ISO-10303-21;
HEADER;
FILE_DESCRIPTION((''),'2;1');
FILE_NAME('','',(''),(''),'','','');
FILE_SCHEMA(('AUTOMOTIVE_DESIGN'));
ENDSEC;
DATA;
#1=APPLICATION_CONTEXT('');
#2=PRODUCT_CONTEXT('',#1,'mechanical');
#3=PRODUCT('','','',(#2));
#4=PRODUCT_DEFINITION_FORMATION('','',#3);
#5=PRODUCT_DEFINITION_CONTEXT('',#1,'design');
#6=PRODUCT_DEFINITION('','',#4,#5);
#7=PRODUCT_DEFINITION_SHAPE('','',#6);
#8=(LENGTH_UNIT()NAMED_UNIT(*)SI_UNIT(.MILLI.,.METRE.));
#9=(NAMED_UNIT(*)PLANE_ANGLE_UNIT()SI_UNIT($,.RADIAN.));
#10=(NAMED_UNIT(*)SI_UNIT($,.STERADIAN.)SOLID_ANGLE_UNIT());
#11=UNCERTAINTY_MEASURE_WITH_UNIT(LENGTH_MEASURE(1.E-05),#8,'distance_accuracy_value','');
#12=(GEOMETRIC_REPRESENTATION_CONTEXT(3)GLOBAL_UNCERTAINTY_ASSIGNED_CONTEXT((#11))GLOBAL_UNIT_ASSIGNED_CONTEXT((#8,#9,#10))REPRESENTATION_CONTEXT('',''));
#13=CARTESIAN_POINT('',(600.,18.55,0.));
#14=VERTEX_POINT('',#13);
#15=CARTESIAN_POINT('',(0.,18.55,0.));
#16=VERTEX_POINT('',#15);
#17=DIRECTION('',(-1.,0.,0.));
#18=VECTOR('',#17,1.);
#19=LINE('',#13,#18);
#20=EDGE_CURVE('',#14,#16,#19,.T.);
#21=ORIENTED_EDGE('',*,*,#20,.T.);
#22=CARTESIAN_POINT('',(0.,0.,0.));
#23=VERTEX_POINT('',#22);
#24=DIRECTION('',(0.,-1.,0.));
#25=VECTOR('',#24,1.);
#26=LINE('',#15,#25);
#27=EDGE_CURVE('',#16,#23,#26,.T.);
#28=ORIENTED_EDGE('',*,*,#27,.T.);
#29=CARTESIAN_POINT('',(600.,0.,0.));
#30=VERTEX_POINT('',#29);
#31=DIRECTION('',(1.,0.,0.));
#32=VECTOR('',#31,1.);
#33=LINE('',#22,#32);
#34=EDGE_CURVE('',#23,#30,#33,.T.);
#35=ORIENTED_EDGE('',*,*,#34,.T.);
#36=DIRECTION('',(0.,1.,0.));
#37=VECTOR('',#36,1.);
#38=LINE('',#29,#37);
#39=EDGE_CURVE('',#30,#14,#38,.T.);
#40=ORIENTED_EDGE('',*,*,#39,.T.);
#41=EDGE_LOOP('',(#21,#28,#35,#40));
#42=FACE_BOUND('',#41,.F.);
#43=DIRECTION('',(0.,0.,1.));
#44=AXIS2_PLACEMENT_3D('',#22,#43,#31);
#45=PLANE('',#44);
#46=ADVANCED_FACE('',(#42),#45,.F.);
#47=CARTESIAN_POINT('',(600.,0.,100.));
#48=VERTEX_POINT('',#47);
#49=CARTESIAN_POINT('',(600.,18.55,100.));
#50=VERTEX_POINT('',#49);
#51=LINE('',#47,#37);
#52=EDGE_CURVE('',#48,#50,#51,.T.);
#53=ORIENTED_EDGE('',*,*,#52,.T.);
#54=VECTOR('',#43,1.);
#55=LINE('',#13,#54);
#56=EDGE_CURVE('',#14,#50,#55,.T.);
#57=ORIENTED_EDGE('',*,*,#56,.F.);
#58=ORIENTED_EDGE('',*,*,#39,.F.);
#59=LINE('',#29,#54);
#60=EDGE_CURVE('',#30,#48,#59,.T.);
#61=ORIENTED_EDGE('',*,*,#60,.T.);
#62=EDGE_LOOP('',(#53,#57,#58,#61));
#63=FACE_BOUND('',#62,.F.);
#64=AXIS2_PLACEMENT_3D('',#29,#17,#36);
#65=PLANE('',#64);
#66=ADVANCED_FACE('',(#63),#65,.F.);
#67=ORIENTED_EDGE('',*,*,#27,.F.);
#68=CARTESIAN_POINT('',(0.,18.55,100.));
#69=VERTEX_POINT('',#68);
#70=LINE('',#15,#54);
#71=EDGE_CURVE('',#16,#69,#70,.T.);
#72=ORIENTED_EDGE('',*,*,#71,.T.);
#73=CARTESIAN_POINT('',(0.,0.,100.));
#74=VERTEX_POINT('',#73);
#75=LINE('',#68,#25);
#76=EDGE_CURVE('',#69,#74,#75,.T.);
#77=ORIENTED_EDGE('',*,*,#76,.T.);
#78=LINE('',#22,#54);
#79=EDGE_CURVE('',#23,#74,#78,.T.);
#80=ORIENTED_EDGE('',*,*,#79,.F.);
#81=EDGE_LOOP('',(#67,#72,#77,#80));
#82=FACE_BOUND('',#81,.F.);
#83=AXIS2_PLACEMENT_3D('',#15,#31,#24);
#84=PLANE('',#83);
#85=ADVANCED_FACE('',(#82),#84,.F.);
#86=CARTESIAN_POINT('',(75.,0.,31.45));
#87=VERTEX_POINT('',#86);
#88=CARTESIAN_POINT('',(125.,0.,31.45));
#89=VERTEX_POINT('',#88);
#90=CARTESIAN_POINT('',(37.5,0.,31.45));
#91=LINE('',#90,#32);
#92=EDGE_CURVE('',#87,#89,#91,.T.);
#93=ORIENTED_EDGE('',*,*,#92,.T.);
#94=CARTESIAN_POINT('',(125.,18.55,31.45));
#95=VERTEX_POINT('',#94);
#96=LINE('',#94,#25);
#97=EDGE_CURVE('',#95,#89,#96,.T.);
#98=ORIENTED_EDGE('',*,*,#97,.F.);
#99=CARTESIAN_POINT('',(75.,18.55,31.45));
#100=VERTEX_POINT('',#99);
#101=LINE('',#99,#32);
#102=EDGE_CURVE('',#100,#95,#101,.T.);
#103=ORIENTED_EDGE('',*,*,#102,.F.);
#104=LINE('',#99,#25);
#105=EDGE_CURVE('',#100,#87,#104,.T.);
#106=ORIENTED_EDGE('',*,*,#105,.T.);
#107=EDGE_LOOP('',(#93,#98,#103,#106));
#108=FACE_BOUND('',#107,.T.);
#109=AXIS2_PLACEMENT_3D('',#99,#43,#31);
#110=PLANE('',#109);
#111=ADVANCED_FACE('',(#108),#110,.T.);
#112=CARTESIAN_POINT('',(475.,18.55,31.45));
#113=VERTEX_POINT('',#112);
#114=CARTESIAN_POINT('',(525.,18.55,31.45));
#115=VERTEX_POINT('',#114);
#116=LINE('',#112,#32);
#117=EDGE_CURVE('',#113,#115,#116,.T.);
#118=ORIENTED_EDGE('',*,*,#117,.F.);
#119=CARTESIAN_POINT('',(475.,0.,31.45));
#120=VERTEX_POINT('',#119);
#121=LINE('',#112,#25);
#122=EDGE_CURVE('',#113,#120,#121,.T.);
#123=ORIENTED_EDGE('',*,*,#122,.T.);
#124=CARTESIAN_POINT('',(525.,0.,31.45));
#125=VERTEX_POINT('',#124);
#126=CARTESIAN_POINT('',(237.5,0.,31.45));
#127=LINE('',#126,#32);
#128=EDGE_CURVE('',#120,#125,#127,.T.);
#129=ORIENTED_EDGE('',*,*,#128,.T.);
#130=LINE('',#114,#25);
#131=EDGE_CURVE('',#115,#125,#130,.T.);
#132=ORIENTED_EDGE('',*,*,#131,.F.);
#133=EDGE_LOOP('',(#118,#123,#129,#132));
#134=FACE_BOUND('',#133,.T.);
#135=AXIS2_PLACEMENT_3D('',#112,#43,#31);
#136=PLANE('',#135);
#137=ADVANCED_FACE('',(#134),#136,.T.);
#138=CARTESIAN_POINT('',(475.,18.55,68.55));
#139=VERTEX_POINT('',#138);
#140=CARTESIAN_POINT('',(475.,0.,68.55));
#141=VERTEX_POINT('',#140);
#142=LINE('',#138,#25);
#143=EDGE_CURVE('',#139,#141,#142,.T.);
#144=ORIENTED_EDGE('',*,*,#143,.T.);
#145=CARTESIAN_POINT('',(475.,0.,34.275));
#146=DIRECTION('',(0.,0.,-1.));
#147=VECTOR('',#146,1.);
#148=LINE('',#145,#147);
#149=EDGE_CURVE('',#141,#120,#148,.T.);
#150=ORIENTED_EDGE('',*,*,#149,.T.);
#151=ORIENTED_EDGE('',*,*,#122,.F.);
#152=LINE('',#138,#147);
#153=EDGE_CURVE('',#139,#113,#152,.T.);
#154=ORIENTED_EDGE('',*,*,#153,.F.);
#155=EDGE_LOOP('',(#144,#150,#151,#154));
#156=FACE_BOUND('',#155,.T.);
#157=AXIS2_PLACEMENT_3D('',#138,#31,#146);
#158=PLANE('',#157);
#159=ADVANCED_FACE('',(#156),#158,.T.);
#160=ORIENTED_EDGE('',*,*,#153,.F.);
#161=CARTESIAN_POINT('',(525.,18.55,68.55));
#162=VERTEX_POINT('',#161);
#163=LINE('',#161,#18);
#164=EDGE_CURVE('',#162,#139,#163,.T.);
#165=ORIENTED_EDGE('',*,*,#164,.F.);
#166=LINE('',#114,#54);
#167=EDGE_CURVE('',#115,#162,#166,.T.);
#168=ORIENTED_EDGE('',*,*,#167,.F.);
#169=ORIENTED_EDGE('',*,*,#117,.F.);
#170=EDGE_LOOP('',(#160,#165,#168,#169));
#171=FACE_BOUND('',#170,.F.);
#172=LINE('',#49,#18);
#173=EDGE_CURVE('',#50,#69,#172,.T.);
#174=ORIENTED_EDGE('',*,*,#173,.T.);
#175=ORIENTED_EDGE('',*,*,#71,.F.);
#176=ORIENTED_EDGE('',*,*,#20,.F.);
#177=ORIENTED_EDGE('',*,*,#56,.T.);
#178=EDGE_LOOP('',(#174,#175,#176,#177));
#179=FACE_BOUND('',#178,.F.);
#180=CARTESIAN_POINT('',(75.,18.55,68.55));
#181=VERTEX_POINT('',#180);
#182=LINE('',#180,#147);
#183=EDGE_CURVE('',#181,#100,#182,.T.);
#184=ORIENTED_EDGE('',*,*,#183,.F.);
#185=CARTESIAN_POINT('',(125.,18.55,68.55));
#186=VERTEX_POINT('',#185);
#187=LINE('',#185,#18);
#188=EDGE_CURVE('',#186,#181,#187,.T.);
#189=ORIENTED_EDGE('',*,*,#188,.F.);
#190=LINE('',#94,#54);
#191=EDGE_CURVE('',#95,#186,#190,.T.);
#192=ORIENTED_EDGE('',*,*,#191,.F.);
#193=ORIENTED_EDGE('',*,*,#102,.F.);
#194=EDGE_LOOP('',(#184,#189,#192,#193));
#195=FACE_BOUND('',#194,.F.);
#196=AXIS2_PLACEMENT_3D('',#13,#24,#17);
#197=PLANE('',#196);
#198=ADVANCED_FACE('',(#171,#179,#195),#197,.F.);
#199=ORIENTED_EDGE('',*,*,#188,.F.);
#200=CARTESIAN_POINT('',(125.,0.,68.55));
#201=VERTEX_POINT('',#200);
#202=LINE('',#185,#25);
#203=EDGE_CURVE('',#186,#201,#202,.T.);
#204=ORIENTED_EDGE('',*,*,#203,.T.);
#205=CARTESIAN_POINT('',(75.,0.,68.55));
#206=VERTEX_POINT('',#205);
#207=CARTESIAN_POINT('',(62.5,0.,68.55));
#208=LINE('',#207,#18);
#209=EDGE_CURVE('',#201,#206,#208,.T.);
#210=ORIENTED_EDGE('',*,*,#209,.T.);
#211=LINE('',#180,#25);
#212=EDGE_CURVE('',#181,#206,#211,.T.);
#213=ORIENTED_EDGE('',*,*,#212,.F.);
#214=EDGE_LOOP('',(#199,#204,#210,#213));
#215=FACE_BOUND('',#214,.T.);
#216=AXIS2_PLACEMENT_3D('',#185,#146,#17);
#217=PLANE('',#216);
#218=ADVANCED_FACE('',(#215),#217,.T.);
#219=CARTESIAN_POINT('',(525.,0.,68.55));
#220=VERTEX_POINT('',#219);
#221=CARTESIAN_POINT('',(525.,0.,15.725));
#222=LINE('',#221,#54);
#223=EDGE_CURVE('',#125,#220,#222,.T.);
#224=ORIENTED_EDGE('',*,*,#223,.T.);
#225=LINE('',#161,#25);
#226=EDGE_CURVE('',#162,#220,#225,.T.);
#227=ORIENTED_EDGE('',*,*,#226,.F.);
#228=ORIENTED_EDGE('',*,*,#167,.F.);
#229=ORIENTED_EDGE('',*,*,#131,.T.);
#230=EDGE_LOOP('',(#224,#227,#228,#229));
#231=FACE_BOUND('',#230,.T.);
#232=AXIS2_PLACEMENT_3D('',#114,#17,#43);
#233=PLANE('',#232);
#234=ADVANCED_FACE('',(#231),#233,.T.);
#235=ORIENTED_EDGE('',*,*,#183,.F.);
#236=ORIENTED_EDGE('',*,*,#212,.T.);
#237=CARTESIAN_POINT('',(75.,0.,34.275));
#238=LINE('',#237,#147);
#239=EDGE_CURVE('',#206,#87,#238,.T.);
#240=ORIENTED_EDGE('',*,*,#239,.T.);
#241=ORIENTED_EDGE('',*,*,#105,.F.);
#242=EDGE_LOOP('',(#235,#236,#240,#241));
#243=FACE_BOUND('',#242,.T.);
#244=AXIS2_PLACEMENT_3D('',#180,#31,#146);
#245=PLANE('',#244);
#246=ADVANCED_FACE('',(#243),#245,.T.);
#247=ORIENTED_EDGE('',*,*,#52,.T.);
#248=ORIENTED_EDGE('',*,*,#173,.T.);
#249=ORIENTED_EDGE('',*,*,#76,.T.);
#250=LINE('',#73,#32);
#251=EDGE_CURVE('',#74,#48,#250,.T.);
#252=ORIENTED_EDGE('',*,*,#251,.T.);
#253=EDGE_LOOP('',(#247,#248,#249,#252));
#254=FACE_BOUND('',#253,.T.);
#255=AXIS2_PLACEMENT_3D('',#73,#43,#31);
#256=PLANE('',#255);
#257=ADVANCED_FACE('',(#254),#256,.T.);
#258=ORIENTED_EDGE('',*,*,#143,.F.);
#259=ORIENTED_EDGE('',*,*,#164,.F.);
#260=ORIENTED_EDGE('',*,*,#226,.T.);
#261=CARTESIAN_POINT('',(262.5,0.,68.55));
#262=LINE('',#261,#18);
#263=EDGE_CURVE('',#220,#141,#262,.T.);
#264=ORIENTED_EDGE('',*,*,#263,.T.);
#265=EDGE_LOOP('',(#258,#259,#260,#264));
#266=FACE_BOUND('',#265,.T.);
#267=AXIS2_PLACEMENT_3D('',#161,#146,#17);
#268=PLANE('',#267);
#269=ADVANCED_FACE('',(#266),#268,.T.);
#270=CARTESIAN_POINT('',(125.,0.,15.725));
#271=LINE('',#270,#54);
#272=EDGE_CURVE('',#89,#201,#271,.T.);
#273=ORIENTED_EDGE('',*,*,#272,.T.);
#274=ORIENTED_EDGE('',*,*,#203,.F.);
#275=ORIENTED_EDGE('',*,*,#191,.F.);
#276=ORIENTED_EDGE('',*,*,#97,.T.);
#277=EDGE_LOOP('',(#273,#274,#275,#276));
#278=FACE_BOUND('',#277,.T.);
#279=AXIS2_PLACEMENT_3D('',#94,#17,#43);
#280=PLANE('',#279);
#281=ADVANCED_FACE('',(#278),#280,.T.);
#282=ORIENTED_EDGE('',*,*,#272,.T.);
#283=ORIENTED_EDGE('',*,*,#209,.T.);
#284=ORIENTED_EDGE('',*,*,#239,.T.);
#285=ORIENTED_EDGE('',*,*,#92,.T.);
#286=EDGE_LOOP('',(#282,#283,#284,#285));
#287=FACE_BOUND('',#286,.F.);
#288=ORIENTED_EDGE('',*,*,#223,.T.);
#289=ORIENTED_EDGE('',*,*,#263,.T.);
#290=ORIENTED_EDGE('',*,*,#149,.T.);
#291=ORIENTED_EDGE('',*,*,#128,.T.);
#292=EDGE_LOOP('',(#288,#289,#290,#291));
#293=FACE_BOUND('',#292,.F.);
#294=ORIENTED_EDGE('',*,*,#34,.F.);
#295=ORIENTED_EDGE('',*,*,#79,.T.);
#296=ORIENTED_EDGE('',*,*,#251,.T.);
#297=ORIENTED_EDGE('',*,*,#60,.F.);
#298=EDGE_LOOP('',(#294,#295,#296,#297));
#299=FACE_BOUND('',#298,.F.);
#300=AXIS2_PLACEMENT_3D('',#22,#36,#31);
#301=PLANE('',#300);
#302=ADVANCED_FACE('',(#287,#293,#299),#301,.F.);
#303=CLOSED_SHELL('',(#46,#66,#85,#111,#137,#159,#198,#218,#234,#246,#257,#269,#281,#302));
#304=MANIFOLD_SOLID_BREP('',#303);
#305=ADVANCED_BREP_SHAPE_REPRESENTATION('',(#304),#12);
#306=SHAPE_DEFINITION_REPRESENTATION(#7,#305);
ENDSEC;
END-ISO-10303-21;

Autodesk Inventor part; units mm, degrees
ref_plane "YZ Plane" through (0, 0, 0) normal (1, 0, 0) x (0, 1, 0)
ref_plane "XZ Plane" through (0, 0, 0) normal (0, 1, 0) x (-1, 0, 0)
ref_plane "XY Plane" through (0, 0, 0) normal (0, 0, 1) x (1, 0, 0)
sketch "Sketch1" plane through (0, 0, 0) normal (0, 0, 1) x (1, 0, 0)
  line L0 (0, 0) -> (600, 0)
  line L1 (600, 0) -> (600, 18.55)
  line L2 (600, 18.55) -> (0, 18.55)
  line L3 (0, 18.55) -> (0, 0)
  dimension "d0" = 600
  dimension "d1" = 18.55
extrude "Extrusion1" add sketch "Sketch1" along normal blind 100
sketch "Sketch2" plane through (0, 18.55, 0) normal (0, 1, 0) x (1, 0, 0)
  line L0 (75, -31.45) -> (125, -31.45)
  line L1 (125, -31.45) -> (125, -68.55)
  line L2 (125, -68.55) -> (75, -68.55)
  line L3 (75, -68.55) -> (75, -31.45)
  line L4 (475, -31.45) -> (525, -31.45)
  line L5 (525, -31.45) -> (525, -68.55)
  line L6 (525, -68.55) -> (475, -68.55)
  line L7 (475, -68.55) -> (475, -31.45)
  line L8 (0, 0) -> (0, -100) projected
  line L9 (600, 0) -> (600, -100) projected
  line L10 (100, -31.45) -> (100, 0) construction
  line L11 (0, 0) -> (600, 0) projected
  line L12 (100, -68.55) -> (100, -100) construction
  line L13 (0, -100) -> (600, -100) projected
  dimension "d4" = 50
  dimension "d5" = 75
  dimension "d6" = 75
  dimension "d7" = 37.1
  dimension "d8" = 50
extrude "Extrusion2" cut sketch "Sketch2" against normal blind 100 contours L0 L1 L2 L3 | L4 L5 L6 L7
properties part number "table_bottont"
